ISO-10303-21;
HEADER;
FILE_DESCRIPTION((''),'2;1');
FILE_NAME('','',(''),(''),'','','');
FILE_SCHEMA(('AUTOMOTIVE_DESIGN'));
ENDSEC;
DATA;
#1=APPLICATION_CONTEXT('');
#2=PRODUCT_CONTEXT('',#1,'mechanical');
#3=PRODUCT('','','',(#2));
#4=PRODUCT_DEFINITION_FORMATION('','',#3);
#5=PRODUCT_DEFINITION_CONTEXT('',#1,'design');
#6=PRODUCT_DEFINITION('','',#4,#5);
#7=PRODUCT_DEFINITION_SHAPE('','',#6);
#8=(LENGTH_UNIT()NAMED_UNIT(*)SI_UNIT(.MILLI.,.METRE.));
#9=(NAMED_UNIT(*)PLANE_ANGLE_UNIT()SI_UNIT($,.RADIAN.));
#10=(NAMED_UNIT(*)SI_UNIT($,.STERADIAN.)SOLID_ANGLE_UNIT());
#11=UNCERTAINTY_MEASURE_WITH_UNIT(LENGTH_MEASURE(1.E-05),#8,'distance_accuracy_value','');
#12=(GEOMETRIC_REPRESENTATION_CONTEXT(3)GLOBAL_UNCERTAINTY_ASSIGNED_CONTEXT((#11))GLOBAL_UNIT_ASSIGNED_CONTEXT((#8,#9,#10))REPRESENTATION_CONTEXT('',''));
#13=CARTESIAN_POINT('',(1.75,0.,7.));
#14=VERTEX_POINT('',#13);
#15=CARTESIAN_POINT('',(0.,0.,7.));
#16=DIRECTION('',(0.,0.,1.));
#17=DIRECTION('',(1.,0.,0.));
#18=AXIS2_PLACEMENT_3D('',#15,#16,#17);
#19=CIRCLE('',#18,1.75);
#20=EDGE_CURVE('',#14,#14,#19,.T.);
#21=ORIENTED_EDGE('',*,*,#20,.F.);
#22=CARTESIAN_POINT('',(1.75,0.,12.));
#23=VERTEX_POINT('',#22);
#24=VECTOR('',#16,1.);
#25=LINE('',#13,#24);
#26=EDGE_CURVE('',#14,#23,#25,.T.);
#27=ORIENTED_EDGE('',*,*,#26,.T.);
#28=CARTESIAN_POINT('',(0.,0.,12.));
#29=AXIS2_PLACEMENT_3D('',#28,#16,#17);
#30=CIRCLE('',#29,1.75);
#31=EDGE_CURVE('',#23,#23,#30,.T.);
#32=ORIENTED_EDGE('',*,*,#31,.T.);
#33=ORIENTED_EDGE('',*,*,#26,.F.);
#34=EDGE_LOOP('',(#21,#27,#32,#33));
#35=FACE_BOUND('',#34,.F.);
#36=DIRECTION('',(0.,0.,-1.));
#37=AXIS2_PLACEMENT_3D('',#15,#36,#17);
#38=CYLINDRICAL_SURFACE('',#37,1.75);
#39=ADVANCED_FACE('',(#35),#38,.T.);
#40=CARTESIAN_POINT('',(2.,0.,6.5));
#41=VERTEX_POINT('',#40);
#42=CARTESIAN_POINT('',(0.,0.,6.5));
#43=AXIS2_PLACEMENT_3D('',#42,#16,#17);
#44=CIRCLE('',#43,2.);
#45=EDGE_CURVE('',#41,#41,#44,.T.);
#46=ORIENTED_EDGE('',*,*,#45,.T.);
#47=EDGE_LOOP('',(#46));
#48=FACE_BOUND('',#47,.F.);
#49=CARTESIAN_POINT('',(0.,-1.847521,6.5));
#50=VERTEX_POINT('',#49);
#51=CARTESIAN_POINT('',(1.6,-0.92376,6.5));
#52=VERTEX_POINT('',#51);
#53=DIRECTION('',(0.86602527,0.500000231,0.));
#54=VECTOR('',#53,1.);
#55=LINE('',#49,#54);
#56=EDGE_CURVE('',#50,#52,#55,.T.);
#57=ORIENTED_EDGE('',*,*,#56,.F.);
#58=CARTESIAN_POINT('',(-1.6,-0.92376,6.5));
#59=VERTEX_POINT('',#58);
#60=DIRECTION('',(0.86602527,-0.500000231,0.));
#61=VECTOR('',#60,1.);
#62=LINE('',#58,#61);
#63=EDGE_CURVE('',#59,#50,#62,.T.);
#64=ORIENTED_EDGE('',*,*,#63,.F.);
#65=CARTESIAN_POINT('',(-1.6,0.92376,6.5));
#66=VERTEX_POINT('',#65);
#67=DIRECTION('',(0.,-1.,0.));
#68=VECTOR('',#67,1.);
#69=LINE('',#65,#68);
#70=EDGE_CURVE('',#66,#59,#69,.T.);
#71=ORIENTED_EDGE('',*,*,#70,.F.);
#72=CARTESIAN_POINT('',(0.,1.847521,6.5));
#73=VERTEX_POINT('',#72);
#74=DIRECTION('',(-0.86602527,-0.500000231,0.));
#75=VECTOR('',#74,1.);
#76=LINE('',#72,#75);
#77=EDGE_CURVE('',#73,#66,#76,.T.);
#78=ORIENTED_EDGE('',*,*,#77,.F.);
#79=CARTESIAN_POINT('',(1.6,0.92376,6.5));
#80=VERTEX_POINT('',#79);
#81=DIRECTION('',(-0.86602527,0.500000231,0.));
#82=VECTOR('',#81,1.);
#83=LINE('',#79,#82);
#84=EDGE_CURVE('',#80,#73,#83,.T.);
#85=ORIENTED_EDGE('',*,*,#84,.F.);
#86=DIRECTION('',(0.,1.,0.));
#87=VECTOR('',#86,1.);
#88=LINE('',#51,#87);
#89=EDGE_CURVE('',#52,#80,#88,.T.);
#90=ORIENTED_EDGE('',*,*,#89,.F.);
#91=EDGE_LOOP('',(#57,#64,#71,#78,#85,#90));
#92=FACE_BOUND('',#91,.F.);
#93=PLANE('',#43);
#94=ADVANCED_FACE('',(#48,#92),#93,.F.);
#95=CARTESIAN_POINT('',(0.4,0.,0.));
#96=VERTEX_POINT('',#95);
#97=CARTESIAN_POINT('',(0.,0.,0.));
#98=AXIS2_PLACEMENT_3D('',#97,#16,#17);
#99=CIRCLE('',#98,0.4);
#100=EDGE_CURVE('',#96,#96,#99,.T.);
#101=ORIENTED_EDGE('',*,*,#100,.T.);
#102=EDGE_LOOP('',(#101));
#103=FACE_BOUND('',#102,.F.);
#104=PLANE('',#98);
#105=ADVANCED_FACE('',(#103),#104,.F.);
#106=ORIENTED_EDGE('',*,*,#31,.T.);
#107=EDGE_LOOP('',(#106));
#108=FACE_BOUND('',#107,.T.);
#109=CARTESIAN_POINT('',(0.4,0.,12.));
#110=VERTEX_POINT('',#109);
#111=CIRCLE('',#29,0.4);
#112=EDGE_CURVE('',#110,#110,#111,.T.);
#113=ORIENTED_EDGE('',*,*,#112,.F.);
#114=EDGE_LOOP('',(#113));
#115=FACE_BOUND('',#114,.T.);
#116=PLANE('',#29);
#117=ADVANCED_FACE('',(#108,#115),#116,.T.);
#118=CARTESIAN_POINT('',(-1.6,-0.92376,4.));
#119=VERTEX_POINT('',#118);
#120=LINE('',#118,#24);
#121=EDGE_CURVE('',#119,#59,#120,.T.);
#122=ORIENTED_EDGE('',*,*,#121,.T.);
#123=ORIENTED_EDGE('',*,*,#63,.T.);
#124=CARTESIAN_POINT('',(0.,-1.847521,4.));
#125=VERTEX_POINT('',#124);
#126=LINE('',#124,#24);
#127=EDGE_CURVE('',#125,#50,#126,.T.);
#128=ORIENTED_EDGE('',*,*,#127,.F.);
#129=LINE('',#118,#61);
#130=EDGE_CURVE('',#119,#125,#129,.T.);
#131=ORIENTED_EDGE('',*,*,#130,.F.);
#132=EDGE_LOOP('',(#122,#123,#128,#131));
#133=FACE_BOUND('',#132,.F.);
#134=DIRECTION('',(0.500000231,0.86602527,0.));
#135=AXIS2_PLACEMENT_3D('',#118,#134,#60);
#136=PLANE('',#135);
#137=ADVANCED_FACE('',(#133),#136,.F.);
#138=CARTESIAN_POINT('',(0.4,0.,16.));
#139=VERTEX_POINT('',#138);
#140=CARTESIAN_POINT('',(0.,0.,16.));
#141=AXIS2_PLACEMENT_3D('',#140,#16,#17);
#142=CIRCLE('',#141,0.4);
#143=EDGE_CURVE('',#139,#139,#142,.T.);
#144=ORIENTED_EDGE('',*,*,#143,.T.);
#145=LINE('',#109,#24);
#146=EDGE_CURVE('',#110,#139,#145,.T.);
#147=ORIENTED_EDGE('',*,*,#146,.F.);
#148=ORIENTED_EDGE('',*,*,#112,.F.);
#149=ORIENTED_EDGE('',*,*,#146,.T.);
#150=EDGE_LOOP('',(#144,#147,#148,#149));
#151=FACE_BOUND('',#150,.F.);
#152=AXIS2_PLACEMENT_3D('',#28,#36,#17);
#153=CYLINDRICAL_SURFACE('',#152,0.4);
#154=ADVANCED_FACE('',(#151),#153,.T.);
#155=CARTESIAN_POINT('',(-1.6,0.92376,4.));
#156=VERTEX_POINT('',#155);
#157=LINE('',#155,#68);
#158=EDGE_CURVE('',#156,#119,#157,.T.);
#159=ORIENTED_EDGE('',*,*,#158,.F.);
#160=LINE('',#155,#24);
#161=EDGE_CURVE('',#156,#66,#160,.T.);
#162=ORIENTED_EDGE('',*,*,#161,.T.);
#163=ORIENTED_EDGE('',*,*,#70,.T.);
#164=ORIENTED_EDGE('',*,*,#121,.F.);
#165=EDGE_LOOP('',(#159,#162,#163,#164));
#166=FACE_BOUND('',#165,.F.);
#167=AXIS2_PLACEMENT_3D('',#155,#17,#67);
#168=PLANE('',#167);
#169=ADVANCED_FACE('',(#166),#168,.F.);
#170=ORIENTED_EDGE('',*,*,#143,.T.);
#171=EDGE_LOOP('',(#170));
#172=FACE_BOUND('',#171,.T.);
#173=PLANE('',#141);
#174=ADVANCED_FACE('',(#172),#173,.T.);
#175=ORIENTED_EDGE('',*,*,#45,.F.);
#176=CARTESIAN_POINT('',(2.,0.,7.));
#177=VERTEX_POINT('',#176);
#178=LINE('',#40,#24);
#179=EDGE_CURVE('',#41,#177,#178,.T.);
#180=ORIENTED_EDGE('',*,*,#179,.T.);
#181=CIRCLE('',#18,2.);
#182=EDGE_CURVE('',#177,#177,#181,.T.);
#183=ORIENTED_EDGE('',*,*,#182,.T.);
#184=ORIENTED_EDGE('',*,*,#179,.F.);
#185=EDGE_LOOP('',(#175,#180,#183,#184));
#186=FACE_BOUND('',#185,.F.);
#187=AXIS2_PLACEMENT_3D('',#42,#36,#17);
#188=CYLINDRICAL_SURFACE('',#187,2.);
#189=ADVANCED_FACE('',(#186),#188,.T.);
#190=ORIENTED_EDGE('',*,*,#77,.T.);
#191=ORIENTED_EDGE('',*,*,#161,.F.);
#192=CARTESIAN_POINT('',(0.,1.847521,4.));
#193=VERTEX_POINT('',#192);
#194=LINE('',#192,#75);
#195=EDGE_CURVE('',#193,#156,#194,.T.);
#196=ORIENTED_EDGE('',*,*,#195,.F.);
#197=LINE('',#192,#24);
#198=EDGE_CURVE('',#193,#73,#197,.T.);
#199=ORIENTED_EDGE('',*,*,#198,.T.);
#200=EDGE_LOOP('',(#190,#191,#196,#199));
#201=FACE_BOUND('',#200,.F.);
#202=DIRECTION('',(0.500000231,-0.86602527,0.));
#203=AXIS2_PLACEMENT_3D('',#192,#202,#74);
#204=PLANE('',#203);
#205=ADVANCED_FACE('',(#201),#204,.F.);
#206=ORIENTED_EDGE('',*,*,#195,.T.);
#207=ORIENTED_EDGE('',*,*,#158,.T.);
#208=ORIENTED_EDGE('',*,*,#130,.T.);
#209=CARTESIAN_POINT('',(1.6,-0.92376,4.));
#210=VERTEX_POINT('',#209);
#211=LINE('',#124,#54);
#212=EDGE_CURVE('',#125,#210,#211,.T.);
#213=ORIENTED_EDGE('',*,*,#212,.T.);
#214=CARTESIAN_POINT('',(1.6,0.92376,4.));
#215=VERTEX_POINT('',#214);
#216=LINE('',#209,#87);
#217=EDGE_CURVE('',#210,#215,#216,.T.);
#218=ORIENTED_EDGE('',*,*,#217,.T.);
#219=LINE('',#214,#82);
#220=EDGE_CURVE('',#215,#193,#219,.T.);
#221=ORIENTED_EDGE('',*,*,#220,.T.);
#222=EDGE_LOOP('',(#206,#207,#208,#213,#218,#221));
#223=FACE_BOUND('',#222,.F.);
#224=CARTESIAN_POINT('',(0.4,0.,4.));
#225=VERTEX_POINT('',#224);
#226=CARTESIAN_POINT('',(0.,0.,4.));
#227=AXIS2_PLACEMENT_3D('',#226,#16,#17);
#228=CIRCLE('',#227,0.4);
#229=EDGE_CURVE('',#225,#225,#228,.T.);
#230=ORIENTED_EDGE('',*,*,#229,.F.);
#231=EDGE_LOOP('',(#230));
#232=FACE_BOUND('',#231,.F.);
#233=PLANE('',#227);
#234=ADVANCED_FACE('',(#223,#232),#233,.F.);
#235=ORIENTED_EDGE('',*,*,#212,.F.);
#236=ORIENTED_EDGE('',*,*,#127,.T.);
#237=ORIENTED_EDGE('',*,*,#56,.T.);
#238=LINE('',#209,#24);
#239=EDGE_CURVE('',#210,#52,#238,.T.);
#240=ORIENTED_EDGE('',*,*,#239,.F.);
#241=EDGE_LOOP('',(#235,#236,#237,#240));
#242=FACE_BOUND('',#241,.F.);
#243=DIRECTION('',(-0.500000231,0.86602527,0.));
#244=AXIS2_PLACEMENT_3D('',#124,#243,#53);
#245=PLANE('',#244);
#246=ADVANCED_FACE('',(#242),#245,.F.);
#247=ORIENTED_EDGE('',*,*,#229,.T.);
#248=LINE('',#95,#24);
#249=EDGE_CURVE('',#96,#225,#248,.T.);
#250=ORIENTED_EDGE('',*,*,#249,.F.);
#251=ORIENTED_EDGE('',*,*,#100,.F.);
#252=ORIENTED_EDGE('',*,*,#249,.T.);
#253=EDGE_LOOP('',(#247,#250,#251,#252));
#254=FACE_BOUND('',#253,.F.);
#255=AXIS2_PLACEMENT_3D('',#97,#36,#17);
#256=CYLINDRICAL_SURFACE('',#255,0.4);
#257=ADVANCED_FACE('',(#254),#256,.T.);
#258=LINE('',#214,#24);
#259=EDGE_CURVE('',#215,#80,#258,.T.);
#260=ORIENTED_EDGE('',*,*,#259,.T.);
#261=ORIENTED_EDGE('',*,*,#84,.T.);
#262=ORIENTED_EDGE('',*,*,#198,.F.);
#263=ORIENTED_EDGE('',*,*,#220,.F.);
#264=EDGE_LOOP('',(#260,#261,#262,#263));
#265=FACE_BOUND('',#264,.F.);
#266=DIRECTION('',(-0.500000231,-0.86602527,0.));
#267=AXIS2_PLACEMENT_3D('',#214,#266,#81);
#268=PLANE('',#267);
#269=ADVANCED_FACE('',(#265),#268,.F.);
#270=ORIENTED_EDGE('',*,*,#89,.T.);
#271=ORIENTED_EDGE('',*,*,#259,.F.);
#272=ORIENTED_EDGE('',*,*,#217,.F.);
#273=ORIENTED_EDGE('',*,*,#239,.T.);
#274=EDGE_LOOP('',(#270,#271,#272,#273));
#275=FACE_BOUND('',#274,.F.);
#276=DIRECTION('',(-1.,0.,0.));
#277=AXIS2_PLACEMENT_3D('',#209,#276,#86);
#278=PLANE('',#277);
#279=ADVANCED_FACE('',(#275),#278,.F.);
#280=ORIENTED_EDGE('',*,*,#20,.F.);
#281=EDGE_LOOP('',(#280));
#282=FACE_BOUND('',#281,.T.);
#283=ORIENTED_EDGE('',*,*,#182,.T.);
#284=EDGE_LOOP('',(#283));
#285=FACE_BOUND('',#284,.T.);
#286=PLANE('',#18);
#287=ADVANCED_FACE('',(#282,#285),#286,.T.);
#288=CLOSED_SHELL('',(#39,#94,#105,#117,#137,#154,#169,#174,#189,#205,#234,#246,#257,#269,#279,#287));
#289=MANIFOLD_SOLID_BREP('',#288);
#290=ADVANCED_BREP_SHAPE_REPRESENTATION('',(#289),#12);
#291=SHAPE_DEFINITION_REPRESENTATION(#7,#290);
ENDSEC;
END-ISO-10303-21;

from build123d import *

# Parameters (mm, degrees)
F0_R     = 0.4
F1_DEPTH = 4
F2_R     = 0.4
F3_DEPTH = 2.5
F4_R     = 2
F5_DEPTH = 0.5
F6_R     = 1.75
F7_DEPTH = 5
F8_R     = 0.4
F9_DEPTH = 4


with BuildPart() as f1:
    # F0 (on Top) → F1 (new body)
    with BuildSketch(Plane.XY):
        Circle(F0_R)
    extrude(amount=F1_DEPTH)

    # F2 (on face) → F3 (join)
    with BuildSketch(Plane.XY.offset(4)):
        Polygon((1.6, -0.92376), (1.6, 0.92376), (0, 1.847521), (-1.6, 0.92376), (-1.6, -0.92376), (0, -1.847521), align=None)
        Circle(F2_R, mode=Mode.SUBTRACT)
        Circle(F2_R)
    extrude(amount=F3_DEPTH)

    # F4 (on face) → F5 (join)
    with BuildSketch(Plane.XY.offset(6.5)):
        Circle(F4_R)
    extrude(amount=F5_DEPTH)

    # F6 (on face) → F7 (join)
    with BuildSketch(Plane.XY.offset(7)):
        Circle(F6_R)
    extrude(amount=F7_DEPTH)

    # F8 (on face) → F9 (join)
    with BuildSketch(Plane.XY.offset(12)):
        Circle(F8_R)
    extrude(amount=F9_DEPTH)


solid = f1.part
